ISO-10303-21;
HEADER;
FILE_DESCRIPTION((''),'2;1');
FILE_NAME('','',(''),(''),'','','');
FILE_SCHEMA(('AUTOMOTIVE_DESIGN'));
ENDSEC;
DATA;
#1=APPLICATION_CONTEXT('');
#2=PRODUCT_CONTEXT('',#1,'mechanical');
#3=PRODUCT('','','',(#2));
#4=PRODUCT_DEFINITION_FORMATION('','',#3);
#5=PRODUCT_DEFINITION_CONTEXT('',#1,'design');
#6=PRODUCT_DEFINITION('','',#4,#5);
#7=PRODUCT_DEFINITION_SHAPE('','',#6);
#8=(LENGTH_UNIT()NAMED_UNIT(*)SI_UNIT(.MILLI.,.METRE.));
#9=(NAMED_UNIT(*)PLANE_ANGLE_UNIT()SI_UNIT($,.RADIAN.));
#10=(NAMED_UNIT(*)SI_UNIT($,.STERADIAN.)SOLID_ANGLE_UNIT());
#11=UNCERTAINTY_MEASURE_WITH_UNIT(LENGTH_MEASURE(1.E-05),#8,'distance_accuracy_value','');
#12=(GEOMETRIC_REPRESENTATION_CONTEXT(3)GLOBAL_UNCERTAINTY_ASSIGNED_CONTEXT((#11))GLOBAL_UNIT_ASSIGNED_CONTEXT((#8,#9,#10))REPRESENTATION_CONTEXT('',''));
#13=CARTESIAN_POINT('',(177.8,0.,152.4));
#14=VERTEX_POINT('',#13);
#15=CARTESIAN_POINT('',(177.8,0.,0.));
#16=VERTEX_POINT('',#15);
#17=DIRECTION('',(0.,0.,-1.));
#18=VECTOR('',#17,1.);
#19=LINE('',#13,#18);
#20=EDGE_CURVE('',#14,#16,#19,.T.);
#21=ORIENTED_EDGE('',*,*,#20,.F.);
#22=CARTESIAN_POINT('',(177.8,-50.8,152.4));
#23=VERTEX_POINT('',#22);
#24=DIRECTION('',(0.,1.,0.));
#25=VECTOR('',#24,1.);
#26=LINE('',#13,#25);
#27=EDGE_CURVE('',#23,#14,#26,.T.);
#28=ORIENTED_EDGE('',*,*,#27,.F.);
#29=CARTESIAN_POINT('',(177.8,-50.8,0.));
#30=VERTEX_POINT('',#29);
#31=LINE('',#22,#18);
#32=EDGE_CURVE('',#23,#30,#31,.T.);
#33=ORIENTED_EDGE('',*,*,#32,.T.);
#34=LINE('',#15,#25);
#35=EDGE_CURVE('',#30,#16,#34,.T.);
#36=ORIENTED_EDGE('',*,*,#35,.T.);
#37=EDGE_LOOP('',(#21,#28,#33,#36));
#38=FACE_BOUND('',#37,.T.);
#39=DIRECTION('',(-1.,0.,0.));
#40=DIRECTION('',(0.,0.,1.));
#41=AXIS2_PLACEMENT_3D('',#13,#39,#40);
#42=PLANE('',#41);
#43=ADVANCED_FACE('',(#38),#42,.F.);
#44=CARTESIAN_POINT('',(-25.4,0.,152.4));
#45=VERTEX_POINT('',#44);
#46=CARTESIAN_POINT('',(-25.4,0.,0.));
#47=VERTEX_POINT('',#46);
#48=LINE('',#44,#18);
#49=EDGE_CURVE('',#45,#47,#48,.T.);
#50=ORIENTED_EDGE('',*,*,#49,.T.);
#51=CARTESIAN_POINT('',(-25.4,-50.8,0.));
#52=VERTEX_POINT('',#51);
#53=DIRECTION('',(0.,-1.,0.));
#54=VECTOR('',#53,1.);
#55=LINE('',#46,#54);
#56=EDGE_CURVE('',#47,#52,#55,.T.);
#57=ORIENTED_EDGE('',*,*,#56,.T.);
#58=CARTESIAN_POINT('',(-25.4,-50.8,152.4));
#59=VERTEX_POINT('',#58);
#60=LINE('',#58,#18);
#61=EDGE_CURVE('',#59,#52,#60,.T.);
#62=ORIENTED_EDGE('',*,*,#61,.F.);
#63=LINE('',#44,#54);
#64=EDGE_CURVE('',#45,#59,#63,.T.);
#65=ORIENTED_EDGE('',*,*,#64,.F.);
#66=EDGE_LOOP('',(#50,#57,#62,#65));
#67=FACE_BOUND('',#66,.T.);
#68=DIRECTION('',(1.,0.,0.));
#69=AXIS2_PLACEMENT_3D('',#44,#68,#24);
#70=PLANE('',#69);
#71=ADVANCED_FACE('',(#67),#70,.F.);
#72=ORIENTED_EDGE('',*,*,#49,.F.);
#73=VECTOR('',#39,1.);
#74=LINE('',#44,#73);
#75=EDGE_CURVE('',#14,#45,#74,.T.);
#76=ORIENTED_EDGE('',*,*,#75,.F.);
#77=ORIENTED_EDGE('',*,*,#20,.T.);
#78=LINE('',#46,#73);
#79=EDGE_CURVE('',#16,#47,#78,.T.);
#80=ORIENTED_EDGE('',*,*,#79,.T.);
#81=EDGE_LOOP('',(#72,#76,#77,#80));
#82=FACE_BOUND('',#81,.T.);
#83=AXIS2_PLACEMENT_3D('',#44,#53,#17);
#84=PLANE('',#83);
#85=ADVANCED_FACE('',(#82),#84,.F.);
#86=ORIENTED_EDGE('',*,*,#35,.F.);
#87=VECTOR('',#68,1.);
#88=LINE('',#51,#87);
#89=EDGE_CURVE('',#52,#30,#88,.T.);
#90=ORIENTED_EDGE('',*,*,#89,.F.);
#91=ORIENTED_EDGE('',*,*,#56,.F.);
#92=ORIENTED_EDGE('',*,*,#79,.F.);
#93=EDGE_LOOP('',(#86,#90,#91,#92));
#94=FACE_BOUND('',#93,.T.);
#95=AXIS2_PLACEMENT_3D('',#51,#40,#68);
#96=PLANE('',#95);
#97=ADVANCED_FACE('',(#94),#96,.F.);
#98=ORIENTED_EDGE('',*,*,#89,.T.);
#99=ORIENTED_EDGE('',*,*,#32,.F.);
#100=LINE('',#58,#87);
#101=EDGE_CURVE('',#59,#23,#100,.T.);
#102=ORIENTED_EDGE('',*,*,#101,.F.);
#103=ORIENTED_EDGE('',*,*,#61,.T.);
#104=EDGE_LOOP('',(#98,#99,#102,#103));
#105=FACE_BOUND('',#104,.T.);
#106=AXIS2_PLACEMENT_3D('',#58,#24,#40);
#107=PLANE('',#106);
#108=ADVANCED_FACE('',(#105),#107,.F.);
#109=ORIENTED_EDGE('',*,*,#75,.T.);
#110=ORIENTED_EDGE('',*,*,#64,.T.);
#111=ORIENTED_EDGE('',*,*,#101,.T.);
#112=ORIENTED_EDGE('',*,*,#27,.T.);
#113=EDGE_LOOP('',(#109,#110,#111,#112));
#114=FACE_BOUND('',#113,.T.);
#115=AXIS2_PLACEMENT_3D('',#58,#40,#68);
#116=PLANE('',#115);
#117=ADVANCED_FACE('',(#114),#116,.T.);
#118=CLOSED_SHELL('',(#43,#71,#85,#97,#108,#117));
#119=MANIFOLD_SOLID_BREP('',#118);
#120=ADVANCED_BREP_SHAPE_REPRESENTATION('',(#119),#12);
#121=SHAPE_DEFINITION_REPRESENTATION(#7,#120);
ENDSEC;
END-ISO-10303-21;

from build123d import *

# Parameters (mm, degrees)
SKETCH1_W      = 203.2
SKETCH1_H      = 50.8
EXTRUDE1_DEPTH = 152.4


with BuildPart() as part:
    # Sketch1 → Extrude1 (new body)
    with BuildSketch(Plane.XY):
        with Locations((76.2, -25.4)):
            Rectangle(SKETCH1_W, SKETCH1_H)
    extrude(amount=EXTRUDE1_DEPTH)


solid = part.part
